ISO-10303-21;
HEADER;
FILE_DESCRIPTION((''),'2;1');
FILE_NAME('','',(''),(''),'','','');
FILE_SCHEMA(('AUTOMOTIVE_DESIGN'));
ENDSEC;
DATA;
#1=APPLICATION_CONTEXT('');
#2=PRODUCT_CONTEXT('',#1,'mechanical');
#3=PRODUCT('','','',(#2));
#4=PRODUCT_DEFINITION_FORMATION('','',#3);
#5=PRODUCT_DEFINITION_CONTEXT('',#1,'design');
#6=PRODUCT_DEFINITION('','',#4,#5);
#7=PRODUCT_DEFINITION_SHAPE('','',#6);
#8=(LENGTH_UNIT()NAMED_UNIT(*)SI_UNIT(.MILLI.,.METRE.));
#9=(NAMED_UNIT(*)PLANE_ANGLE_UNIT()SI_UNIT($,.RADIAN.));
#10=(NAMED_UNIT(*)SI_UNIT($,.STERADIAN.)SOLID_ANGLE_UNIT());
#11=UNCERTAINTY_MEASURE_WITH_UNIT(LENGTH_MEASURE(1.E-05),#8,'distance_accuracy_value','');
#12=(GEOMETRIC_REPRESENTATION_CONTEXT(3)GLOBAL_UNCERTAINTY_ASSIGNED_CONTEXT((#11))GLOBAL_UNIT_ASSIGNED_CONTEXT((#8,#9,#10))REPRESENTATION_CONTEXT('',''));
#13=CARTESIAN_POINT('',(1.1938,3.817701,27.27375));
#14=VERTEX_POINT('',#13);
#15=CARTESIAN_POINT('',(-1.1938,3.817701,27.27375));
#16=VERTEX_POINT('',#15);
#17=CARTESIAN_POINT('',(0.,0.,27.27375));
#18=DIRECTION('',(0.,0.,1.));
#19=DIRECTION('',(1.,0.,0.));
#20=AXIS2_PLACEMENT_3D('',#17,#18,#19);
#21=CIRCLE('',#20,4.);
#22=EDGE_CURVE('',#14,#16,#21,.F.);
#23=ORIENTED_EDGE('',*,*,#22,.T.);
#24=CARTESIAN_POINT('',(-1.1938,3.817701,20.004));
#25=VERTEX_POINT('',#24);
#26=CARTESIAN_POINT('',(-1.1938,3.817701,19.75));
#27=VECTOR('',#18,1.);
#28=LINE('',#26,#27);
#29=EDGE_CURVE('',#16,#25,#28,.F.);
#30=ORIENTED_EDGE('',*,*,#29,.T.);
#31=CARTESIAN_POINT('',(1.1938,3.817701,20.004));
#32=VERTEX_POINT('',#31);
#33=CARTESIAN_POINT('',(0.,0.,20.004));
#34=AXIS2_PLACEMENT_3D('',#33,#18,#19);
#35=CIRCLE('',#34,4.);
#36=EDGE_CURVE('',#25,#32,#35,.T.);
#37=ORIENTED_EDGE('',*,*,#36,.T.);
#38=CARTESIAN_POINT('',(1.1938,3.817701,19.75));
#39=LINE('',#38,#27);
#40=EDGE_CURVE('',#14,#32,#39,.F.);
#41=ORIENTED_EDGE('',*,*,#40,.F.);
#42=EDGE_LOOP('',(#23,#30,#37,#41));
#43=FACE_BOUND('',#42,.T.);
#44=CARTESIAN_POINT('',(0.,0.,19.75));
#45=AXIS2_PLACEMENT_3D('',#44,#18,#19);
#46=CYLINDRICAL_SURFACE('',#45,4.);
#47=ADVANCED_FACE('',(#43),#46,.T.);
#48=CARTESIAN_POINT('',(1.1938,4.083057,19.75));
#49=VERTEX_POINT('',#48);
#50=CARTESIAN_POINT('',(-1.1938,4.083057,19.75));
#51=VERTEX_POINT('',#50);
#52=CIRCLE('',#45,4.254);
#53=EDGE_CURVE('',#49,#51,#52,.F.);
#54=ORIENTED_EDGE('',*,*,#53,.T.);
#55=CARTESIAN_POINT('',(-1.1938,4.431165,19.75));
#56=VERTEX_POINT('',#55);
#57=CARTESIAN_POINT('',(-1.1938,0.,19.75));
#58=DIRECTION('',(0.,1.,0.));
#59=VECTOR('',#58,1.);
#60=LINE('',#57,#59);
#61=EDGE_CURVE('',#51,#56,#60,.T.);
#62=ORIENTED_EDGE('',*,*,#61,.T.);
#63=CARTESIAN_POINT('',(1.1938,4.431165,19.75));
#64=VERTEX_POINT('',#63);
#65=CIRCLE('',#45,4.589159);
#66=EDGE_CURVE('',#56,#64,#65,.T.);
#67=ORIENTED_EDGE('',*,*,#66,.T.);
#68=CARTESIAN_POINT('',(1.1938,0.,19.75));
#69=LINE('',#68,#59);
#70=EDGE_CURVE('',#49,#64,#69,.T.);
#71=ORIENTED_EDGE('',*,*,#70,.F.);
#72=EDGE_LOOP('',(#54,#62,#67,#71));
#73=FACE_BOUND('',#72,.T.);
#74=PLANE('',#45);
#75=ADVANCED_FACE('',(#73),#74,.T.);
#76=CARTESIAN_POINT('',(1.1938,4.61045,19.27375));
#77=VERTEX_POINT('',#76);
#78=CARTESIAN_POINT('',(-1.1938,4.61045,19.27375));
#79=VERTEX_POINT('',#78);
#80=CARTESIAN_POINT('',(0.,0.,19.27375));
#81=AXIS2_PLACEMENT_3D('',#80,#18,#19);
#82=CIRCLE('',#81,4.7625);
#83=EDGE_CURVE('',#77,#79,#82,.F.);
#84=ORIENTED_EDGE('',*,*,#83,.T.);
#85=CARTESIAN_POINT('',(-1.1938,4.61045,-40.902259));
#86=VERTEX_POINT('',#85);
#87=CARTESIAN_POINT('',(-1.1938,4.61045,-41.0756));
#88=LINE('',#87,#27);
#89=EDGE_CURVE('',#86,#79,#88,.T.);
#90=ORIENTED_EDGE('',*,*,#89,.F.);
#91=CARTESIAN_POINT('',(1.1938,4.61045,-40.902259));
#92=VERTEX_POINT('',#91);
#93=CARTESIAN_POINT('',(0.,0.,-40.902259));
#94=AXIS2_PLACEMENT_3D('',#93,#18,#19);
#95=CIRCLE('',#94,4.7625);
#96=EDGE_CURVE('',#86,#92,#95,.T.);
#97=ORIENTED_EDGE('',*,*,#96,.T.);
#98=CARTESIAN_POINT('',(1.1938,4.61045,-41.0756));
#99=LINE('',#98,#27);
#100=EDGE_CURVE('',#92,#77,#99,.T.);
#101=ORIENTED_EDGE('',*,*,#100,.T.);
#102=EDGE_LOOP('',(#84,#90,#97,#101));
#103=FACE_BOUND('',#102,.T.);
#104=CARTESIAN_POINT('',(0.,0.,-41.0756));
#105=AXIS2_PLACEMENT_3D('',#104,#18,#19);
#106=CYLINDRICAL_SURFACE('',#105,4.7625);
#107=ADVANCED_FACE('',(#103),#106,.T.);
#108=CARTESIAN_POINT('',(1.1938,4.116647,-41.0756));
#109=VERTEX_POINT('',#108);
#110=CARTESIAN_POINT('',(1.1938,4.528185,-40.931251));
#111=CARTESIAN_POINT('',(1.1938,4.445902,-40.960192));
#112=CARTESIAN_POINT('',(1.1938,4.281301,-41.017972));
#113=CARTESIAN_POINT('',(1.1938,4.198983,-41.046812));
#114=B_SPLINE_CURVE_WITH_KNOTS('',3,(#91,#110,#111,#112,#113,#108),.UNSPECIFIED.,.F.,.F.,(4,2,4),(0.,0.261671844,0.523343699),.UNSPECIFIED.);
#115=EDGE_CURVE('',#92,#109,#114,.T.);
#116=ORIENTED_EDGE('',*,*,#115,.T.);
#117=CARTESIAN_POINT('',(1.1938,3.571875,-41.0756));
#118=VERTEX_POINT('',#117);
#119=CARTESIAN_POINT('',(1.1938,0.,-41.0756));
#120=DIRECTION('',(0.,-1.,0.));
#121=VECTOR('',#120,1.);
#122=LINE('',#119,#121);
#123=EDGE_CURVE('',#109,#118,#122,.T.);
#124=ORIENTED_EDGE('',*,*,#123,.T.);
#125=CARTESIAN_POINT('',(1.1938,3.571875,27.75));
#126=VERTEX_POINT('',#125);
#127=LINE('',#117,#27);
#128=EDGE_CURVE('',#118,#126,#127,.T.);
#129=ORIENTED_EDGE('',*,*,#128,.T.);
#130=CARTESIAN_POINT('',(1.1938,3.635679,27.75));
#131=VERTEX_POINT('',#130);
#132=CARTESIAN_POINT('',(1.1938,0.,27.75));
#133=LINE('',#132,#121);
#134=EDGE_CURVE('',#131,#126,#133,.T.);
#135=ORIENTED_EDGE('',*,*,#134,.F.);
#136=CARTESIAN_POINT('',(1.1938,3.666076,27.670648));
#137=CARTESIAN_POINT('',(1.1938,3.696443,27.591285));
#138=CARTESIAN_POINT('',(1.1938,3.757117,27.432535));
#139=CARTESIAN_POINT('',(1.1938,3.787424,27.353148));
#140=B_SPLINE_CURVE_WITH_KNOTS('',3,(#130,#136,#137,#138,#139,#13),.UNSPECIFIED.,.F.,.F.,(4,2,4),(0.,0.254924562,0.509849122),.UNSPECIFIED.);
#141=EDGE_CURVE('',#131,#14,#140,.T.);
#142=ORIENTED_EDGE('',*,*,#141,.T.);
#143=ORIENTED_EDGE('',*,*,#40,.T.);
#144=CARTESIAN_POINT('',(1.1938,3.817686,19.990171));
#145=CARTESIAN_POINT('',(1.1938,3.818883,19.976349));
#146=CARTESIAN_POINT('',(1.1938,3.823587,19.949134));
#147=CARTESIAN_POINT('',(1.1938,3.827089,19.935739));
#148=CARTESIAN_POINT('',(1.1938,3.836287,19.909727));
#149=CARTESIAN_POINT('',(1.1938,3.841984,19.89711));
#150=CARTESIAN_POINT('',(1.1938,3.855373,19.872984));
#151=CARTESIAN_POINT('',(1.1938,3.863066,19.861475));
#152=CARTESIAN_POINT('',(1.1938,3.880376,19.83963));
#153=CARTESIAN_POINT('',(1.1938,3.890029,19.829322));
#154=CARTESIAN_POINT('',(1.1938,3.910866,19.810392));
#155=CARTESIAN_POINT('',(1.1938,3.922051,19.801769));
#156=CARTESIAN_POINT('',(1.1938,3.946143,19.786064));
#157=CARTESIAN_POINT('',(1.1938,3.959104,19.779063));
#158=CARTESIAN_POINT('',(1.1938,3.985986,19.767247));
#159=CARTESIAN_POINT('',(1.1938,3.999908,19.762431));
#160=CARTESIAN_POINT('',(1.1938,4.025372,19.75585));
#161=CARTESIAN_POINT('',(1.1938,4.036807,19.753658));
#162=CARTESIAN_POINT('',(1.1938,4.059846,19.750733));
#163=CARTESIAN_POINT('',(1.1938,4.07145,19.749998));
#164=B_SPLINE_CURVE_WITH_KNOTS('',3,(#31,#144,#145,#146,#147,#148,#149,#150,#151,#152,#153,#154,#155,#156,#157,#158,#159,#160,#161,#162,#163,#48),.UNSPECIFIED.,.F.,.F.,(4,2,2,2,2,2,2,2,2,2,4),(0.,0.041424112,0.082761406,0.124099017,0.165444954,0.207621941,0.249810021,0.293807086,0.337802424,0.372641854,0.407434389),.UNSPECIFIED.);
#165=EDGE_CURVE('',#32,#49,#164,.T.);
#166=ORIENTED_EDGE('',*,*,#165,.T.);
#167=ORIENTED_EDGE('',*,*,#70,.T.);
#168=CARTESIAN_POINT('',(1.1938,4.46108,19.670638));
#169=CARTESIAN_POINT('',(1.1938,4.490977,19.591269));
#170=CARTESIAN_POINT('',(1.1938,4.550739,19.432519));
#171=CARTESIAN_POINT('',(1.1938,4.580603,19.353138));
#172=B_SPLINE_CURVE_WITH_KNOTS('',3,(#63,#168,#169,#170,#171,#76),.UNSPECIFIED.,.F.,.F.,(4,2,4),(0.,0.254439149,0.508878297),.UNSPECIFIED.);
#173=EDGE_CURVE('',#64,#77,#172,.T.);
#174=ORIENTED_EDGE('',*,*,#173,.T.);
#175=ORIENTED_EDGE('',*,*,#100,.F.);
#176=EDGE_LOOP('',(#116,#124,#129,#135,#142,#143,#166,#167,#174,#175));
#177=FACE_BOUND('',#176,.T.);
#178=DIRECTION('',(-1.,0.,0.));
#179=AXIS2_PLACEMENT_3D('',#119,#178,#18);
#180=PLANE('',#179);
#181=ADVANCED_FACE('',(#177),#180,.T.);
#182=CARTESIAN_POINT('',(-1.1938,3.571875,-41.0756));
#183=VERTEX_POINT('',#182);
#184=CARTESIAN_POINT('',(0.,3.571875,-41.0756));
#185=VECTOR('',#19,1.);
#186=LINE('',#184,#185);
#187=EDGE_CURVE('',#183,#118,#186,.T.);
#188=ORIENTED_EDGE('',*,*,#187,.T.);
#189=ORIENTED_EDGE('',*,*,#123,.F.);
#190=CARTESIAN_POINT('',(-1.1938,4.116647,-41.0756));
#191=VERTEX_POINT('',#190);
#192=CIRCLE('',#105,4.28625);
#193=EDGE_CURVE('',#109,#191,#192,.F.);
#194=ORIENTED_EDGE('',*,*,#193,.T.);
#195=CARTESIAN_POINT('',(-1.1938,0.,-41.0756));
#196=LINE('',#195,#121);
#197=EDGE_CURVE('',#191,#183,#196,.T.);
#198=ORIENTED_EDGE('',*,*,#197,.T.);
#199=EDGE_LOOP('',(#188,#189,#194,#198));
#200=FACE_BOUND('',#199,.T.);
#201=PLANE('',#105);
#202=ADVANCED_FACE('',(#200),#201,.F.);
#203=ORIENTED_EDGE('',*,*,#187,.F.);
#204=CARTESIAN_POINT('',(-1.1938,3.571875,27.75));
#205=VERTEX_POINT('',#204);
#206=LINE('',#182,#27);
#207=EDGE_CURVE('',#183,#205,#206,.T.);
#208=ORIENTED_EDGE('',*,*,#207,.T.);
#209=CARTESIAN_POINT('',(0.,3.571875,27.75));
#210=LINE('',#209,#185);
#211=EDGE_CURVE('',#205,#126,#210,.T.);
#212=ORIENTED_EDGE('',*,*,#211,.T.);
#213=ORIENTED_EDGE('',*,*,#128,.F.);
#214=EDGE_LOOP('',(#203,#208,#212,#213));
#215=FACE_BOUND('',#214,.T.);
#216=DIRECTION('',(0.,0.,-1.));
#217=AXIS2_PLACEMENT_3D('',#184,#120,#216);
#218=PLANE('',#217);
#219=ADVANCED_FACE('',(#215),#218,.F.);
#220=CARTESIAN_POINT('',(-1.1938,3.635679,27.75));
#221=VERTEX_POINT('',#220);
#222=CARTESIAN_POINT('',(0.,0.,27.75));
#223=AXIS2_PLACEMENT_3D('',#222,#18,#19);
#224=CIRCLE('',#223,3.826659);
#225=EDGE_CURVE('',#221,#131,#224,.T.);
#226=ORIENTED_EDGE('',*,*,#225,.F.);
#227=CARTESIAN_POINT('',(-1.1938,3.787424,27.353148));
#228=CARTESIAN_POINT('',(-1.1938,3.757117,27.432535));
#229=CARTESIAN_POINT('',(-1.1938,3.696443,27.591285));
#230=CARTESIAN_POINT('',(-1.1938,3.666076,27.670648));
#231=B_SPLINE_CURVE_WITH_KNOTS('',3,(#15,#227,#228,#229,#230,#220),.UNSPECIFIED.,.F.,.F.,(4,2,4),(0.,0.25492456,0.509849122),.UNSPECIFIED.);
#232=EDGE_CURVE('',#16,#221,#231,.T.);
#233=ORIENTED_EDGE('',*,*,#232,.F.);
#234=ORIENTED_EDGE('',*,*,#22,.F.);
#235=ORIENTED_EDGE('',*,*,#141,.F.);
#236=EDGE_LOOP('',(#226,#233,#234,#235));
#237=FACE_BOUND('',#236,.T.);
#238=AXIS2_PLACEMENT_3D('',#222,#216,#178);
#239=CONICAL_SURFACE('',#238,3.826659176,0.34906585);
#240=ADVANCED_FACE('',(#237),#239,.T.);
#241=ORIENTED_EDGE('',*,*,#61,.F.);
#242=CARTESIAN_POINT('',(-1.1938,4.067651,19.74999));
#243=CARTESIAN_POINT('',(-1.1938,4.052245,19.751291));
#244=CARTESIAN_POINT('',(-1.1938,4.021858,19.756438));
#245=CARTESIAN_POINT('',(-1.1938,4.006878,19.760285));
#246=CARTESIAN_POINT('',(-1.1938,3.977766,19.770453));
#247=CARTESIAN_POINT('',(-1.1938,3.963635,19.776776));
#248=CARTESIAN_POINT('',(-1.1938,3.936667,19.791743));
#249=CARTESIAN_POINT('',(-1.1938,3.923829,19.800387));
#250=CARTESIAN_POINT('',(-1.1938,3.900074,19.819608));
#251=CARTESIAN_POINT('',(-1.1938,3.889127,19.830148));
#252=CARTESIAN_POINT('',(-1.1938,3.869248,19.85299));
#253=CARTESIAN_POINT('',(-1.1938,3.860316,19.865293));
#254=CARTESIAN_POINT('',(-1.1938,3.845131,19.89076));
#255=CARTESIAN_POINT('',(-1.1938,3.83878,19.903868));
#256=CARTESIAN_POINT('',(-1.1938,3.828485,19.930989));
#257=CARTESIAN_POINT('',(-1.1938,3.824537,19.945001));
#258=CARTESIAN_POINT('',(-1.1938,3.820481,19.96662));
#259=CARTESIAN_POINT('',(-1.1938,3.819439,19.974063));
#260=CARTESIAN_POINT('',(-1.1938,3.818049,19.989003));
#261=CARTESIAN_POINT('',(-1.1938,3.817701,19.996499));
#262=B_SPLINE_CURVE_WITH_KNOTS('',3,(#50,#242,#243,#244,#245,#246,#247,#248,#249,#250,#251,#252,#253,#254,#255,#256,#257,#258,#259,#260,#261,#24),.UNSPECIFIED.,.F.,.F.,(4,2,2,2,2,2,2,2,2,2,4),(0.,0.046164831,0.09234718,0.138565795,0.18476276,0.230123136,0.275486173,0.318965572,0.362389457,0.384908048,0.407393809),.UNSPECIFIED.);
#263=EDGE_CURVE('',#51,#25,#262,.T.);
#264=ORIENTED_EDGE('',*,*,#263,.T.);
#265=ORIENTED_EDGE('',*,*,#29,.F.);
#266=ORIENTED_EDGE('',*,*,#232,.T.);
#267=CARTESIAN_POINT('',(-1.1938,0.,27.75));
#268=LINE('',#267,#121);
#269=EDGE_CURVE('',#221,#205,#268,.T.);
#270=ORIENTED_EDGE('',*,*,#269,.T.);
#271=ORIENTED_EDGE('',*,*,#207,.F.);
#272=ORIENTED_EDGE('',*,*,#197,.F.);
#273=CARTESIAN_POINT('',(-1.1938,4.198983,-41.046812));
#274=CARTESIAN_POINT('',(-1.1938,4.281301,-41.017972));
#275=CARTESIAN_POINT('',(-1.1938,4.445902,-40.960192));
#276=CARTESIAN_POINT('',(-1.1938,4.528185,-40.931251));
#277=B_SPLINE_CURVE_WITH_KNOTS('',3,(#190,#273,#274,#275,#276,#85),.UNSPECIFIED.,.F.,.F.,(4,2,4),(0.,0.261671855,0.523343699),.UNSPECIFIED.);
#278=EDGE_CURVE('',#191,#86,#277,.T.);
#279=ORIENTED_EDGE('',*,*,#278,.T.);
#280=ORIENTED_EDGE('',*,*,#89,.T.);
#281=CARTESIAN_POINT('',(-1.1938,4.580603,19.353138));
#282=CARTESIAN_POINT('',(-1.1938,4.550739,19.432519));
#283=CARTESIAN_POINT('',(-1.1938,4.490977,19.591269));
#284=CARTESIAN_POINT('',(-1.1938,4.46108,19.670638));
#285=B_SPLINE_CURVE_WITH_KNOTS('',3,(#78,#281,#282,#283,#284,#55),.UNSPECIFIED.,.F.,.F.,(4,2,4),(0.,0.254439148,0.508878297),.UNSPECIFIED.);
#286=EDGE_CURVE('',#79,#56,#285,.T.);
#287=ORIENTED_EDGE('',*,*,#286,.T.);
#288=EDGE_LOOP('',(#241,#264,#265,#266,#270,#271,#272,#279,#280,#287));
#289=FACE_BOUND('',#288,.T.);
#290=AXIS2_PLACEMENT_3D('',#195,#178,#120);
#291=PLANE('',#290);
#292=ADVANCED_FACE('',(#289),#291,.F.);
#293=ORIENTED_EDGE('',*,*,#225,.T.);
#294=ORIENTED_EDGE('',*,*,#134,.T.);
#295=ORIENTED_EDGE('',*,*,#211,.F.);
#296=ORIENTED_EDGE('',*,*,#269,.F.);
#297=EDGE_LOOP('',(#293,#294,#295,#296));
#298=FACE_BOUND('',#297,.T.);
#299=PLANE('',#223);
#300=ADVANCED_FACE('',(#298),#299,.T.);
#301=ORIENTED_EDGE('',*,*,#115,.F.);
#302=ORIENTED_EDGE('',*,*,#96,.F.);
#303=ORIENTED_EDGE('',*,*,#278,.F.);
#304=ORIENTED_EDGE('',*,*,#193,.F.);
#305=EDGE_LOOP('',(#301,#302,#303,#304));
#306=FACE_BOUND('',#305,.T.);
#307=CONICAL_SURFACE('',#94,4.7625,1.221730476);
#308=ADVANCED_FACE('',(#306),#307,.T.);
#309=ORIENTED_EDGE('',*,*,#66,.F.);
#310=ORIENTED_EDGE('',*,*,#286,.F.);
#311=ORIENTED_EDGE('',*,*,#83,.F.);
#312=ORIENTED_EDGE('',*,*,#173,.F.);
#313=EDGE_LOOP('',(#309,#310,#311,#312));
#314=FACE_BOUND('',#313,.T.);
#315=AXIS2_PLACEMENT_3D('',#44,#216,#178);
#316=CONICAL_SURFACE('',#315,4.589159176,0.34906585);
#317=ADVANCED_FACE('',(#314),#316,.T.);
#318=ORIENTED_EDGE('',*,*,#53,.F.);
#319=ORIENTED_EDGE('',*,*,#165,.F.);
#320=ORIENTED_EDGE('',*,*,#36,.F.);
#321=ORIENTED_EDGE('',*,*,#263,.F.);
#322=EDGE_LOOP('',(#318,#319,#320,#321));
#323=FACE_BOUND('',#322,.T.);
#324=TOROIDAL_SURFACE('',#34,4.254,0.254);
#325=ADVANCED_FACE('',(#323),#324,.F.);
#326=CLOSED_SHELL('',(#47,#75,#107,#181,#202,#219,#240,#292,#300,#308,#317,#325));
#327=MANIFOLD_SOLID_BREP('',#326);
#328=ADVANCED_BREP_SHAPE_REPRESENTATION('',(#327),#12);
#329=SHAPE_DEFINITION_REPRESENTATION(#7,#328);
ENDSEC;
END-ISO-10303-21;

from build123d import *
from OCP.BRepFilletAPI import BRepFilletAPI_MakeChamfer

# Parameters (mm, degrees)
BOSS_EXTRUDE1_DEPTH      = 27.750000126
BOSS_EXTRUDE1_DEPTH_BACK = 41.075600094
SKETCH5_R                = 4.7625
SKETCH5_R_2              = 4
CUT_EXTRUDE1_DEPTH       = 8
CHAMFER1_SIZE            = 0.47625
CHAMFER1_SIZE2           = 0.173340824
FILLET1_R                = 0.254


with BuildPart() as part:
    # Sketch3 → Boss-Extrude1 (new, two sides: drawn at the far end of the back side and taken through both)
    with BuildSketch(Plane.XY.offset(-BOSS_EXTRUDE1_DEPTH_BACK)):
        with BuildLine():
            Line((-1.1938, 3.571875), (-1.1938, 4.610449849))
            ThreePointArc((-1.1938, 4.610449849), (-2.915127249, -3.766090728), (4.7625, 0))
            ThreePointArc((4.7625, 0), (3.766090728, 2.915127249), (1.1938, 4.610449849))
            Line((1.1938, 4.610449849), (1.1938, 3.571875))
            Line((1.1938, 3.571875), (-1.1938, 3.571875))
        make_face()
    extrude(amount=BOSS_EXTRUDE1_DEPTH + BOSS_EXTRUDE1_DEPTH_BACK)

    # Sketch5 → Cut-Extrude1 (cut)
    with BuildSketch(Plane.XY.offset(27.750000126)):
        Circle(SKETCH5_R)
        Circle(SKETCH5_R_2, mode=Mode.SUBTRACT)
    extrude(amount=-CUT_EXTRUDE1_DEPTH, mode=Mode.SUBTRACT)

    # Chamfer1: one chamfer whose edges measure the first distance from different faces: ONE call of the kernel's chamfer builder (chamfer() names one face for all edges)
    chamfer1_edges_1 = [part.edges().sort_by_distance(p)[0] for p in [
        (0, -4, 27.750000126),
    ]]
    chamfer1_side_1 = [part.faces().sort_by_distance(p)[0] for p in [
        (0, -4, 23.750000126),
    ]]
    chamfer1_edges_2 = [part.edges().sort_by_distance(p)[0] for p in [
        (-2.915127249, -3.766090728, 19.750000126),
    ]]
    chamfer1_side_2 = [part.faces().sort_by_distance(p)[0] for p in [
        (-2.915127249, -3.766090728, -10.662799984),
    ]]
    chamfer1_edges_3 = [part.edges().sort_by_distance(p)[0] for p in [
        (-2.915127249, -3.766090728, -41.075600094),
    ]]
    chamfer1_side_3 = [part.faces().sort_by_distance(p)[0] for p in [
        (0, -0.164578508, -41.075600094),
    ]]
    chamfer1 = BRepFilletAPI_MakeChamfer(part.part.solid().wrapped)
    for e in chamfer1_edges_1:
        chamfer1.Add(CHAMFER1_SIZE, CHAMFER1_SIZE2, e.wrapped, chamfer1_side_1[0].wrapped)  # the first distance lies on this face
    for e in chamfer1_edges_2:
        chamfer1.Add(CHAMFER1_SIZE, CHAMFER1_SIZE2, e.wrapped, chamfer1_side_2[0].wrapped)  # the first distance lies on this face
    for e in chamfer1_edges_3:
        chamfer1.Add(CHAMFER1_SIZE, CHAMFER1_SIZE2, e.wrapped, chamfer1_side_3[0].wrapped)  # the first distance lies on this face
    add(Compound.cast(chamfer1.Shape()), mode=Mode.REPLACE)

    # Fillet1
    fillet1_edges = [part.edges().sort_by_distance(p)[0] for p in [
        (0, -4, 19.750000126),
    ]]
    fillet(fillet1_edges, radius=FILLET1_R)


solid = part.part
